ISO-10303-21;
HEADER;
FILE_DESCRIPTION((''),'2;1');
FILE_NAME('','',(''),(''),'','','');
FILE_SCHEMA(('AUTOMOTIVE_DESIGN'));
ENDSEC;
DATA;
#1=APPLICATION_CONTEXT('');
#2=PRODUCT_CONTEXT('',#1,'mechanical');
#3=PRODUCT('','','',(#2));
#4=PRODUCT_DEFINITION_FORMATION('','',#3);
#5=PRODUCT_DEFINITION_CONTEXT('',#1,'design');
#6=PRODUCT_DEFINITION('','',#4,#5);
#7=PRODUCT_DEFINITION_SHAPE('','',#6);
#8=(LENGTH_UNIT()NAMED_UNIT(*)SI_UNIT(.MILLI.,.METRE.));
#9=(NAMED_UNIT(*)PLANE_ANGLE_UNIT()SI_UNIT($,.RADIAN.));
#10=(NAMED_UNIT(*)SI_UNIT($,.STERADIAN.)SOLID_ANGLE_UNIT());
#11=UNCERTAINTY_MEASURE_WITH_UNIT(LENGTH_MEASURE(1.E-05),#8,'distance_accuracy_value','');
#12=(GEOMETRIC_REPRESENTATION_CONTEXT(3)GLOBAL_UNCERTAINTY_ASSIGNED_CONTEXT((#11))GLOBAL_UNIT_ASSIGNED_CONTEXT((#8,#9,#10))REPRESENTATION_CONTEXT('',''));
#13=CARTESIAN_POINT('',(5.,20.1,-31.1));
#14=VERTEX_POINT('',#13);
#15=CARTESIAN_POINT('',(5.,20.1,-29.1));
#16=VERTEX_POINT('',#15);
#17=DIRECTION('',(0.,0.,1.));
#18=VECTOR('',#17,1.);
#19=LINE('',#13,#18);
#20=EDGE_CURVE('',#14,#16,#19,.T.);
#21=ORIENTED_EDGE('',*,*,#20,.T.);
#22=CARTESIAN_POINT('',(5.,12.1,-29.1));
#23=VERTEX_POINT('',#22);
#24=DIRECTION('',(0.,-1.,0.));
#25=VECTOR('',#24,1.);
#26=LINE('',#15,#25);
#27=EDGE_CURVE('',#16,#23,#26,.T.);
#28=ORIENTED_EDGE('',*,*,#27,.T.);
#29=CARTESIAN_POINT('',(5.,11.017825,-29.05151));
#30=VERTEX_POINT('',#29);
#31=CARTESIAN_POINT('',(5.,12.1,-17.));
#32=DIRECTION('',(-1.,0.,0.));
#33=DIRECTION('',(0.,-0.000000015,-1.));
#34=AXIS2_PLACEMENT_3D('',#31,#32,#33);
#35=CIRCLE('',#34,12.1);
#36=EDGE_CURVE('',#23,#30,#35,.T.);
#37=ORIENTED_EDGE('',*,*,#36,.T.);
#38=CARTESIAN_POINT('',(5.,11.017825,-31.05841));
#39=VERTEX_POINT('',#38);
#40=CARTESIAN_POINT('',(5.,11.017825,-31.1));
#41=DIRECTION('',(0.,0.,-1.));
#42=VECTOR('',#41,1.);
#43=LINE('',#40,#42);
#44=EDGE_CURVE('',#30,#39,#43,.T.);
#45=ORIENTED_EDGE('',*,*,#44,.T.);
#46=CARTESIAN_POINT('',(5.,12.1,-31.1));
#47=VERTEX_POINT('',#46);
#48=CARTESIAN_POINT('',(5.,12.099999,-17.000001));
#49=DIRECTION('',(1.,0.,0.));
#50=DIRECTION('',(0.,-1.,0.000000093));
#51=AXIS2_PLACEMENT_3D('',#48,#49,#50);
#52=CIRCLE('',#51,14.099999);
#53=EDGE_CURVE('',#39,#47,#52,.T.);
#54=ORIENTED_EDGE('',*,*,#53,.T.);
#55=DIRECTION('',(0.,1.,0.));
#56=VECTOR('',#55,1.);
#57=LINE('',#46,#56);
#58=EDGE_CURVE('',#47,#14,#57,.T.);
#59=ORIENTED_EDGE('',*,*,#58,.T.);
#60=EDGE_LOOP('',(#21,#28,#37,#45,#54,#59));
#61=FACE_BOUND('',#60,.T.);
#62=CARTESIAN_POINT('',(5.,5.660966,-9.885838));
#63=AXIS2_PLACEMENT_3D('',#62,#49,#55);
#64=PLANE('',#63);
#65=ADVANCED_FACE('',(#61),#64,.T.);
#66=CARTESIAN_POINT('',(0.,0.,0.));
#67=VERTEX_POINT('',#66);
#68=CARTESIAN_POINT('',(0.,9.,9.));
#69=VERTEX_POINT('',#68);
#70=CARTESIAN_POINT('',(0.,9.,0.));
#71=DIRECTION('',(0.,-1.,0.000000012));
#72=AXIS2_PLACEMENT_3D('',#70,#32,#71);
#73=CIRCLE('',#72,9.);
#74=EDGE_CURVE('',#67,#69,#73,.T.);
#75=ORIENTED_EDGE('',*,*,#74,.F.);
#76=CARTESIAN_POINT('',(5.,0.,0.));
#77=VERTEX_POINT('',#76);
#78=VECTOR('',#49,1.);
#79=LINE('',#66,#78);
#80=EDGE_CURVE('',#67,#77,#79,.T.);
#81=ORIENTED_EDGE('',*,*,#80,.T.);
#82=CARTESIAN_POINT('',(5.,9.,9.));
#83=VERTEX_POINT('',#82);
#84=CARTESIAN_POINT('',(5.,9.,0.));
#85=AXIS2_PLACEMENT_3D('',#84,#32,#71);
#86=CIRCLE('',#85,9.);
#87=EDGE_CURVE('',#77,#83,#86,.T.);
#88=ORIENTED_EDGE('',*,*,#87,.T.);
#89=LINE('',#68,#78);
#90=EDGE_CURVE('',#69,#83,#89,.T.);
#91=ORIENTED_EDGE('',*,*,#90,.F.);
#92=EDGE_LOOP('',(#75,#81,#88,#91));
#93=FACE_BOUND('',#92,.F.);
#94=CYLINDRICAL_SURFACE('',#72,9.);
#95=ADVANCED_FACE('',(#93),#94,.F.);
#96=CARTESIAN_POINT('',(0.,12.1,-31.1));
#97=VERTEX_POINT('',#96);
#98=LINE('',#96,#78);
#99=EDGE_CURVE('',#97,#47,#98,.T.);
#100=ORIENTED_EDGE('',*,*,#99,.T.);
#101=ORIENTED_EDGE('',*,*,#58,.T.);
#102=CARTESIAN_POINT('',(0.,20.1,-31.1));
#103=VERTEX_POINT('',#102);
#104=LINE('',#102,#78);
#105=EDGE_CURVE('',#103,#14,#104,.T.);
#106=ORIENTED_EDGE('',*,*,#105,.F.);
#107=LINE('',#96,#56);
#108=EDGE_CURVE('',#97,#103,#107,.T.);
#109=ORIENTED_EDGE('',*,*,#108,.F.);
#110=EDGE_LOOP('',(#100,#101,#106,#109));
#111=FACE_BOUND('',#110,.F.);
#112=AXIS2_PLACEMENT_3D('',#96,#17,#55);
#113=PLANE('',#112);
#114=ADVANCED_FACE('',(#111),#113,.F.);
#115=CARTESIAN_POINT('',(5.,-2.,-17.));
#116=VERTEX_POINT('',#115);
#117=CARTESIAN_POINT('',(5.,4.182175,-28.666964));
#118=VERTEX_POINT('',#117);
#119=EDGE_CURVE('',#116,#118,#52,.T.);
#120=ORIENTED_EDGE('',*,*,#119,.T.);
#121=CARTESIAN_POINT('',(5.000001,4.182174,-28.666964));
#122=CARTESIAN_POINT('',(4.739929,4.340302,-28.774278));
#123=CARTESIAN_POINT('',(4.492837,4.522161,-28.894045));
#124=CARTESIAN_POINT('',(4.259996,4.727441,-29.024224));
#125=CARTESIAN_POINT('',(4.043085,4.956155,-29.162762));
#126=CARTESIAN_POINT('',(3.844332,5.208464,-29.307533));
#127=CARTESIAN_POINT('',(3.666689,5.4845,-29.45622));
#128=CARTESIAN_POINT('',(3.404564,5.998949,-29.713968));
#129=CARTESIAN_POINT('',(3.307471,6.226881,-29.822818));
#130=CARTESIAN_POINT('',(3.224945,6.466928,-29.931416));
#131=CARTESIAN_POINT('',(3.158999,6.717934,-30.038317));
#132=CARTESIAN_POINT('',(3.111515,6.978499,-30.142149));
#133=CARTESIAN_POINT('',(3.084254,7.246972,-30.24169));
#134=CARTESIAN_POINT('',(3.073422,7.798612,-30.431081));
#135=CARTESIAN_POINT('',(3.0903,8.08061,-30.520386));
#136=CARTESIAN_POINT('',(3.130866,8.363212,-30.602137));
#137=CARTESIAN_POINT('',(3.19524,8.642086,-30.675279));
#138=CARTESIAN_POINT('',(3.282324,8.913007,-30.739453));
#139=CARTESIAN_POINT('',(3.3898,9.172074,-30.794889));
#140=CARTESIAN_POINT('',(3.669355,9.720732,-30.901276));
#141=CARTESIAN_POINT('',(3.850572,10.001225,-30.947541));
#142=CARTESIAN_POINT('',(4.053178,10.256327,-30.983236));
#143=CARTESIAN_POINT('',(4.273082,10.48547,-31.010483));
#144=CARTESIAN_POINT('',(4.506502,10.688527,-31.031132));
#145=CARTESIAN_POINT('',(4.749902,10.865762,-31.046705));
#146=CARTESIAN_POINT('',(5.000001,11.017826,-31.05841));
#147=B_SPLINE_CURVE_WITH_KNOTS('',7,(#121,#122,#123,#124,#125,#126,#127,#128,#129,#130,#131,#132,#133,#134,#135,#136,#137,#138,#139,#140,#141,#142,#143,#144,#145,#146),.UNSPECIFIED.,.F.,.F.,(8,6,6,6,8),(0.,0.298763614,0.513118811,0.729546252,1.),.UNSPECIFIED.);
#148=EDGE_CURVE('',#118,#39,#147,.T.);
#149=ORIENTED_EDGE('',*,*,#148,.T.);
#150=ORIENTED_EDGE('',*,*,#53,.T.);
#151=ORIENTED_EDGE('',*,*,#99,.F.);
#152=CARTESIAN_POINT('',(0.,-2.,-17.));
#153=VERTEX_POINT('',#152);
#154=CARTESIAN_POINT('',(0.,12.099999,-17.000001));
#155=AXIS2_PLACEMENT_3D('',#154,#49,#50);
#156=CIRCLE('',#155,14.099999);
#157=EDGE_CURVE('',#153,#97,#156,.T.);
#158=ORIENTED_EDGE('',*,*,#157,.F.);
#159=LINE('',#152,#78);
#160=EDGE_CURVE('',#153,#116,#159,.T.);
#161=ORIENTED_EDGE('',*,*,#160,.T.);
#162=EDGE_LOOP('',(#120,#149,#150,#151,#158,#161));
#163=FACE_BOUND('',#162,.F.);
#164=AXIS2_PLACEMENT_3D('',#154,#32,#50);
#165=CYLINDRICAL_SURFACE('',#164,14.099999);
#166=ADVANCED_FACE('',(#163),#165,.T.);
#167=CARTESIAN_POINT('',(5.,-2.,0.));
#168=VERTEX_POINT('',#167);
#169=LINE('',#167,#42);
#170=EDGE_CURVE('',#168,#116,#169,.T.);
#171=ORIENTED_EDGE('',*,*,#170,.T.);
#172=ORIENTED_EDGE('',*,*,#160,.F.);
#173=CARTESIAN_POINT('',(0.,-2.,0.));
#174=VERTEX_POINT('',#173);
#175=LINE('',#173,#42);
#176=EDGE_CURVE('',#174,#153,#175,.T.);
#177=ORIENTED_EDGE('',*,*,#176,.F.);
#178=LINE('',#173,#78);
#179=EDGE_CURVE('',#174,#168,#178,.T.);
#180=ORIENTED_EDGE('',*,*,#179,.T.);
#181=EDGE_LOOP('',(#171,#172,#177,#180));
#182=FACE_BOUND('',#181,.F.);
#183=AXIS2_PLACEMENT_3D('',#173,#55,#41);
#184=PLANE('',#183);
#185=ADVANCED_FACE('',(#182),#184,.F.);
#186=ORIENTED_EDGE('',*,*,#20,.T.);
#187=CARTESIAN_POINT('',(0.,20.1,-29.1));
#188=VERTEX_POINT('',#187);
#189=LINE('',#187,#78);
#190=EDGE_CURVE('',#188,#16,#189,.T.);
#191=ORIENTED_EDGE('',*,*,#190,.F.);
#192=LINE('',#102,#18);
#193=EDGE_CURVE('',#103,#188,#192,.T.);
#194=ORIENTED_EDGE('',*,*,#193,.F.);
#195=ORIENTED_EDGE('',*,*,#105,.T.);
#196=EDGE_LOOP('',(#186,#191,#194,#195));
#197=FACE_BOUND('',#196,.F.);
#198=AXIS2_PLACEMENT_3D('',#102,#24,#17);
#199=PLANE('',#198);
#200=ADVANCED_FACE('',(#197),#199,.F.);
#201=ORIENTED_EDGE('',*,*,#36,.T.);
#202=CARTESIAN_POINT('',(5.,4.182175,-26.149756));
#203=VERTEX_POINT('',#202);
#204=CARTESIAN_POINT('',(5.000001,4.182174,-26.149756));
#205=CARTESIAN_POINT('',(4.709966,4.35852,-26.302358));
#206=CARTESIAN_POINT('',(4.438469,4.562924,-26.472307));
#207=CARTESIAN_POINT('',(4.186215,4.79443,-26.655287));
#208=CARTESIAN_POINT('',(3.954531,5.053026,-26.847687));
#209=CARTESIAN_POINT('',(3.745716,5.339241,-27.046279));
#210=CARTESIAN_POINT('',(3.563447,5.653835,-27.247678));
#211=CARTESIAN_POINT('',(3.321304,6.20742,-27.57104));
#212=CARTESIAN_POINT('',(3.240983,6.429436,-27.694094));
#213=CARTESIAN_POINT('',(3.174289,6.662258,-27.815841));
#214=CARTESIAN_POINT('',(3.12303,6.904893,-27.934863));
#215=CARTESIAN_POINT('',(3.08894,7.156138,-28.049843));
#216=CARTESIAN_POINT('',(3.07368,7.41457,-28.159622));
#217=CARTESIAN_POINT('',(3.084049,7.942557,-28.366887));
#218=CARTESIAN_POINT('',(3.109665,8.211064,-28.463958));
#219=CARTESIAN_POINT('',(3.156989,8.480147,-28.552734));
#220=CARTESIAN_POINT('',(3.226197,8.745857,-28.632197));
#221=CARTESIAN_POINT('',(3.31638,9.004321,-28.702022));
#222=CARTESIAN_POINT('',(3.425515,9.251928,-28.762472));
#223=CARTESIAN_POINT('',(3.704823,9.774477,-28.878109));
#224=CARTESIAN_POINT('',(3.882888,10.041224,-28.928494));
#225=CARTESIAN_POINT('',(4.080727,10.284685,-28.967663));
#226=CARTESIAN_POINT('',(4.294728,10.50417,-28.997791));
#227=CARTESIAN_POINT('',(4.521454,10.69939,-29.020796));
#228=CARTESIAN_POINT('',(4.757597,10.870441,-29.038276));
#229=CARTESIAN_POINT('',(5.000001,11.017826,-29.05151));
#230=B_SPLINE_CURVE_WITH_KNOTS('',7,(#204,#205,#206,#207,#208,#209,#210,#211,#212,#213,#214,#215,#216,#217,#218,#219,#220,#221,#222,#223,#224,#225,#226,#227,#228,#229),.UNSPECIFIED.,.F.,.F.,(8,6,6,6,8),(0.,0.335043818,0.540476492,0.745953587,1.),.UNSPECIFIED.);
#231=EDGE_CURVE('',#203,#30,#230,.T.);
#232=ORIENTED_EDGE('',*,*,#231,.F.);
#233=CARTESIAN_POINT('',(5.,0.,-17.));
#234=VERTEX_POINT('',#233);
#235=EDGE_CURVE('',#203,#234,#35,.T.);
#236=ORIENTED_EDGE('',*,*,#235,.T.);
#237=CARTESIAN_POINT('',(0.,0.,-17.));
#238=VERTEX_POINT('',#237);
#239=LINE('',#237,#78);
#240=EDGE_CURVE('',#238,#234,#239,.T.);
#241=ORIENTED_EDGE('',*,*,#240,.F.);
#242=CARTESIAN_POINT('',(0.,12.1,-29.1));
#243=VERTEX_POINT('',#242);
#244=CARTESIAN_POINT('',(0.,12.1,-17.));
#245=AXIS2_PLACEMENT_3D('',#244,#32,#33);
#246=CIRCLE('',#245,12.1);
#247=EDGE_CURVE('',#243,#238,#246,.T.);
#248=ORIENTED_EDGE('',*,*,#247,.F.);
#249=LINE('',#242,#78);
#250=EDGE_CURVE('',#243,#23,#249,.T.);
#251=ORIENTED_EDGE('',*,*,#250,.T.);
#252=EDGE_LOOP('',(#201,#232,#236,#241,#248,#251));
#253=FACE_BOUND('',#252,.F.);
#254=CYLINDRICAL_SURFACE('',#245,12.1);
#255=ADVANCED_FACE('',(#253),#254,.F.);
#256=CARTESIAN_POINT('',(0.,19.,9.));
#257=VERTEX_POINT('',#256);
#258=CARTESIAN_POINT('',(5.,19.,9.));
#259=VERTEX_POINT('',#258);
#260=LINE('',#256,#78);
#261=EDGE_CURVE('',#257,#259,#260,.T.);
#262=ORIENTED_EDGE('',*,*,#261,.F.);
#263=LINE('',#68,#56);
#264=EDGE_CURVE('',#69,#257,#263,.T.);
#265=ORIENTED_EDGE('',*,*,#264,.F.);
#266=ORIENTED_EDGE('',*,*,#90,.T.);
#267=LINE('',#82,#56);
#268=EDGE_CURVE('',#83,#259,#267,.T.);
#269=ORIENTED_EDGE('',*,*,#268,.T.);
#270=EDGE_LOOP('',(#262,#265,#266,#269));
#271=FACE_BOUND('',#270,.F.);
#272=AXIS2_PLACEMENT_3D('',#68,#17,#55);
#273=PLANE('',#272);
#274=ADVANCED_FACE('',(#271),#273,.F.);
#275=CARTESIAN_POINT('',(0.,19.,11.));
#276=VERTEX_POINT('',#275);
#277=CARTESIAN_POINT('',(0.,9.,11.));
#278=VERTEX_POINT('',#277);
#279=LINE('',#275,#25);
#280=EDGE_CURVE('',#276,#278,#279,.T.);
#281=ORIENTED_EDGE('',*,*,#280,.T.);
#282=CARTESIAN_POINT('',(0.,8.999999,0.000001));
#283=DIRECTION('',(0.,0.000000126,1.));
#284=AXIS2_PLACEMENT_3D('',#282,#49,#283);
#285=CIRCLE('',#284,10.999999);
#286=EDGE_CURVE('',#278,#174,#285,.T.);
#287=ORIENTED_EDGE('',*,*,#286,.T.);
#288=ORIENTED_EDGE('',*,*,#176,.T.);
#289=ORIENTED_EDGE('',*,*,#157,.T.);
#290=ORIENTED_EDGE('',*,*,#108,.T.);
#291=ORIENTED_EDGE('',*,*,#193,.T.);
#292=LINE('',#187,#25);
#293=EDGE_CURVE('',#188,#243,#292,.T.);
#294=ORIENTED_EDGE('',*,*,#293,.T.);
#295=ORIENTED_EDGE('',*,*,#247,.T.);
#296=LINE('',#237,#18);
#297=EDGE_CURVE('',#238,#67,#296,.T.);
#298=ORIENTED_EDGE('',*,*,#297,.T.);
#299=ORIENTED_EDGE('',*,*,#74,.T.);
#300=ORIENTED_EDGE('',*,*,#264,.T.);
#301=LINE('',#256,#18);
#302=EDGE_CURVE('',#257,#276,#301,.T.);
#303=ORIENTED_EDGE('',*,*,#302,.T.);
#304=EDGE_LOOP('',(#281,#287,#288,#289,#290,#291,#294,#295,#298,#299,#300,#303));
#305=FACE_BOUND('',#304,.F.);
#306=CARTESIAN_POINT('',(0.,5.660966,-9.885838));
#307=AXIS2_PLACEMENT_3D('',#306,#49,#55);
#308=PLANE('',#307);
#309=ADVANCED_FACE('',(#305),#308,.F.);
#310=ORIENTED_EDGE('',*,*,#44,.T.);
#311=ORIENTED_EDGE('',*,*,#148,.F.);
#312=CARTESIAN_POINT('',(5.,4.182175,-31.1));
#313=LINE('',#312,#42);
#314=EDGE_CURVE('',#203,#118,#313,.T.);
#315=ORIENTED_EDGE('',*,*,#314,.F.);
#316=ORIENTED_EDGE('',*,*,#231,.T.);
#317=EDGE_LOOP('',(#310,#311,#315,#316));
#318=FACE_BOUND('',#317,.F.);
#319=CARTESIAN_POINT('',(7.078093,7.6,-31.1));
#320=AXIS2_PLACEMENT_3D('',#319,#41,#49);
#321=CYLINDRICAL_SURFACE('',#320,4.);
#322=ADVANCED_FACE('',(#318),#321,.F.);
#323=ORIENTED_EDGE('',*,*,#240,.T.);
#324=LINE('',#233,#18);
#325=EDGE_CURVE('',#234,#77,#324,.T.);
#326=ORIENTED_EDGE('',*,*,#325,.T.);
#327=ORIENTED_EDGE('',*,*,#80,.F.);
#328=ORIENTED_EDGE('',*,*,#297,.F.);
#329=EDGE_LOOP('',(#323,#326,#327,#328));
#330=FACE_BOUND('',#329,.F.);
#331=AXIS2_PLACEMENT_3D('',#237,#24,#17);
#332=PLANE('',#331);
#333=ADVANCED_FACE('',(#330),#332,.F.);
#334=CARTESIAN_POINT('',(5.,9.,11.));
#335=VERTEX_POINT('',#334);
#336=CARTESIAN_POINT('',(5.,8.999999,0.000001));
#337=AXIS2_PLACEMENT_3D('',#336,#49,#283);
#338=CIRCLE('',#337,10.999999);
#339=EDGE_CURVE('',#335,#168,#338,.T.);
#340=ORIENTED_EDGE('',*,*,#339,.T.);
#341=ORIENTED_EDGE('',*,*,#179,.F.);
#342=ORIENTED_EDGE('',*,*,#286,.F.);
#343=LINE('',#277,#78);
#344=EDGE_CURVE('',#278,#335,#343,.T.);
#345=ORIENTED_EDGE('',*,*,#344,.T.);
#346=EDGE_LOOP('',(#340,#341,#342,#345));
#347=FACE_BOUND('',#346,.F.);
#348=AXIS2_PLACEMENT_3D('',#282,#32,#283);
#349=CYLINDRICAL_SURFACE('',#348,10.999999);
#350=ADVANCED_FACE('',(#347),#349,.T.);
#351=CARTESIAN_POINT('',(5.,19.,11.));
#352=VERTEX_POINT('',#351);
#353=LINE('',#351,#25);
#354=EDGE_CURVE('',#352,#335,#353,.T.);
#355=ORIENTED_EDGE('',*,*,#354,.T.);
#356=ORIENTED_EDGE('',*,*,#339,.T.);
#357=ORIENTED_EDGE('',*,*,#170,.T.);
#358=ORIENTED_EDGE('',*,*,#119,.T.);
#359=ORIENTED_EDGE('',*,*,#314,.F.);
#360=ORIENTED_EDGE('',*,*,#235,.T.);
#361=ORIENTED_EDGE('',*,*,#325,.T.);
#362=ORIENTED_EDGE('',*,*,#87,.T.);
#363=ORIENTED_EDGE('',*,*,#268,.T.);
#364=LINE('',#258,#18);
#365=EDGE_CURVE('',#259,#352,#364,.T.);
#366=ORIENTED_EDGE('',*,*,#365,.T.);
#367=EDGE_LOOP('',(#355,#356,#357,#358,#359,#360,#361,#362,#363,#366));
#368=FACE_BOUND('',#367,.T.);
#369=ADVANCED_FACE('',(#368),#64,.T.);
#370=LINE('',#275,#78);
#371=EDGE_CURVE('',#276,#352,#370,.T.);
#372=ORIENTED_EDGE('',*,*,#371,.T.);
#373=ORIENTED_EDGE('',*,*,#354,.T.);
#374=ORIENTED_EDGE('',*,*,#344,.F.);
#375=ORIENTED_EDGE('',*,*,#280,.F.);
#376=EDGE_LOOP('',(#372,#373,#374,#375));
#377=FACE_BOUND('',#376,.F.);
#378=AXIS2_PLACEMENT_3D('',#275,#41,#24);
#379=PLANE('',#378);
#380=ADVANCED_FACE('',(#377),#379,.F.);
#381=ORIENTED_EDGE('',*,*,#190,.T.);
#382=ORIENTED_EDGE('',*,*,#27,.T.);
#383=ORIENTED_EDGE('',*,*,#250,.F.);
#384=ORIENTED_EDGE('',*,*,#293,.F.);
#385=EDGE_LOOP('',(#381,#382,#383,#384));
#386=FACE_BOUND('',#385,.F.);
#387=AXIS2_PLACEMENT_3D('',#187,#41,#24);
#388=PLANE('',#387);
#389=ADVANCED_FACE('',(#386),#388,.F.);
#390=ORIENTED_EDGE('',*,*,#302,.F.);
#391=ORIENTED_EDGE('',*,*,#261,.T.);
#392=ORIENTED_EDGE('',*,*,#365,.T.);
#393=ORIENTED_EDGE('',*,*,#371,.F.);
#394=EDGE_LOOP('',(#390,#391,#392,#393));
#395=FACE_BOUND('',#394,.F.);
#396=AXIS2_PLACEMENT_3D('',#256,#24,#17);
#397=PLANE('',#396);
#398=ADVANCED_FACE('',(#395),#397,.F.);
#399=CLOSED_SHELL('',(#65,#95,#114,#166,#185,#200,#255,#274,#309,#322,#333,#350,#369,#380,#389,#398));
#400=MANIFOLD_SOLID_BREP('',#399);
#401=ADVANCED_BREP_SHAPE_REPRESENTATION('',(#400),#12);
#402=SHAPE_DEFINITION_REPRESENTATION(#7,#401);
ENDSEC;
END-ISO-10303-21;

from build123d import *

# Parameters (mm, degrees)
F1_DEPTH = 5
F2_R     = 4
F3_DEPTH = 10


with BuildPart() as f1:
    # F0 (on Right) → F1 (new body)
    with BuildSketch(Plane.YZ):
        with BuildLine():
            Line((9, 9), (19, 9))
            Line((19, 9), (19, 11))
            Line((19, 11), (9, 11))
            ThreePointArc((9, 11), (1.221825, 7.778175), (-2, 0))
            Line((-2, 0), (-2, -17))
            ThreePointArc((-2, -17), (2.129794, -26.970206), (12.1, -31.1))
            Line((12.1, -31.1), (20.1, -31.1))
            Line((20.1, -31.1), (20.1, -29.1))
            Line((20.1, -29.1), (12.1, -29.1))
            ThreePointArc((12.1, -29.1), (3.544008, -25.555992), (0, -17))
            Line((0, -17), (0, 0))
            ThreePointArc((0, 0), (2.636039, 6.363961), (9, 9))
        make_face()
    extrude(amount=F1_DEPTH)

    # F2 (on face) → F3 (cut)
    with BuildSketch(Plane(origin=(0, 0, -31.1), x_dir=(1, 0, 0), z_dir=(0, 0, -1))):
        with Locations((7.078093, -7.6)):
            Circle(F2_R)
    extrude(amount=-F3_DEPTH, mode=Mode.SUBTRACT)


solid = f1.part
